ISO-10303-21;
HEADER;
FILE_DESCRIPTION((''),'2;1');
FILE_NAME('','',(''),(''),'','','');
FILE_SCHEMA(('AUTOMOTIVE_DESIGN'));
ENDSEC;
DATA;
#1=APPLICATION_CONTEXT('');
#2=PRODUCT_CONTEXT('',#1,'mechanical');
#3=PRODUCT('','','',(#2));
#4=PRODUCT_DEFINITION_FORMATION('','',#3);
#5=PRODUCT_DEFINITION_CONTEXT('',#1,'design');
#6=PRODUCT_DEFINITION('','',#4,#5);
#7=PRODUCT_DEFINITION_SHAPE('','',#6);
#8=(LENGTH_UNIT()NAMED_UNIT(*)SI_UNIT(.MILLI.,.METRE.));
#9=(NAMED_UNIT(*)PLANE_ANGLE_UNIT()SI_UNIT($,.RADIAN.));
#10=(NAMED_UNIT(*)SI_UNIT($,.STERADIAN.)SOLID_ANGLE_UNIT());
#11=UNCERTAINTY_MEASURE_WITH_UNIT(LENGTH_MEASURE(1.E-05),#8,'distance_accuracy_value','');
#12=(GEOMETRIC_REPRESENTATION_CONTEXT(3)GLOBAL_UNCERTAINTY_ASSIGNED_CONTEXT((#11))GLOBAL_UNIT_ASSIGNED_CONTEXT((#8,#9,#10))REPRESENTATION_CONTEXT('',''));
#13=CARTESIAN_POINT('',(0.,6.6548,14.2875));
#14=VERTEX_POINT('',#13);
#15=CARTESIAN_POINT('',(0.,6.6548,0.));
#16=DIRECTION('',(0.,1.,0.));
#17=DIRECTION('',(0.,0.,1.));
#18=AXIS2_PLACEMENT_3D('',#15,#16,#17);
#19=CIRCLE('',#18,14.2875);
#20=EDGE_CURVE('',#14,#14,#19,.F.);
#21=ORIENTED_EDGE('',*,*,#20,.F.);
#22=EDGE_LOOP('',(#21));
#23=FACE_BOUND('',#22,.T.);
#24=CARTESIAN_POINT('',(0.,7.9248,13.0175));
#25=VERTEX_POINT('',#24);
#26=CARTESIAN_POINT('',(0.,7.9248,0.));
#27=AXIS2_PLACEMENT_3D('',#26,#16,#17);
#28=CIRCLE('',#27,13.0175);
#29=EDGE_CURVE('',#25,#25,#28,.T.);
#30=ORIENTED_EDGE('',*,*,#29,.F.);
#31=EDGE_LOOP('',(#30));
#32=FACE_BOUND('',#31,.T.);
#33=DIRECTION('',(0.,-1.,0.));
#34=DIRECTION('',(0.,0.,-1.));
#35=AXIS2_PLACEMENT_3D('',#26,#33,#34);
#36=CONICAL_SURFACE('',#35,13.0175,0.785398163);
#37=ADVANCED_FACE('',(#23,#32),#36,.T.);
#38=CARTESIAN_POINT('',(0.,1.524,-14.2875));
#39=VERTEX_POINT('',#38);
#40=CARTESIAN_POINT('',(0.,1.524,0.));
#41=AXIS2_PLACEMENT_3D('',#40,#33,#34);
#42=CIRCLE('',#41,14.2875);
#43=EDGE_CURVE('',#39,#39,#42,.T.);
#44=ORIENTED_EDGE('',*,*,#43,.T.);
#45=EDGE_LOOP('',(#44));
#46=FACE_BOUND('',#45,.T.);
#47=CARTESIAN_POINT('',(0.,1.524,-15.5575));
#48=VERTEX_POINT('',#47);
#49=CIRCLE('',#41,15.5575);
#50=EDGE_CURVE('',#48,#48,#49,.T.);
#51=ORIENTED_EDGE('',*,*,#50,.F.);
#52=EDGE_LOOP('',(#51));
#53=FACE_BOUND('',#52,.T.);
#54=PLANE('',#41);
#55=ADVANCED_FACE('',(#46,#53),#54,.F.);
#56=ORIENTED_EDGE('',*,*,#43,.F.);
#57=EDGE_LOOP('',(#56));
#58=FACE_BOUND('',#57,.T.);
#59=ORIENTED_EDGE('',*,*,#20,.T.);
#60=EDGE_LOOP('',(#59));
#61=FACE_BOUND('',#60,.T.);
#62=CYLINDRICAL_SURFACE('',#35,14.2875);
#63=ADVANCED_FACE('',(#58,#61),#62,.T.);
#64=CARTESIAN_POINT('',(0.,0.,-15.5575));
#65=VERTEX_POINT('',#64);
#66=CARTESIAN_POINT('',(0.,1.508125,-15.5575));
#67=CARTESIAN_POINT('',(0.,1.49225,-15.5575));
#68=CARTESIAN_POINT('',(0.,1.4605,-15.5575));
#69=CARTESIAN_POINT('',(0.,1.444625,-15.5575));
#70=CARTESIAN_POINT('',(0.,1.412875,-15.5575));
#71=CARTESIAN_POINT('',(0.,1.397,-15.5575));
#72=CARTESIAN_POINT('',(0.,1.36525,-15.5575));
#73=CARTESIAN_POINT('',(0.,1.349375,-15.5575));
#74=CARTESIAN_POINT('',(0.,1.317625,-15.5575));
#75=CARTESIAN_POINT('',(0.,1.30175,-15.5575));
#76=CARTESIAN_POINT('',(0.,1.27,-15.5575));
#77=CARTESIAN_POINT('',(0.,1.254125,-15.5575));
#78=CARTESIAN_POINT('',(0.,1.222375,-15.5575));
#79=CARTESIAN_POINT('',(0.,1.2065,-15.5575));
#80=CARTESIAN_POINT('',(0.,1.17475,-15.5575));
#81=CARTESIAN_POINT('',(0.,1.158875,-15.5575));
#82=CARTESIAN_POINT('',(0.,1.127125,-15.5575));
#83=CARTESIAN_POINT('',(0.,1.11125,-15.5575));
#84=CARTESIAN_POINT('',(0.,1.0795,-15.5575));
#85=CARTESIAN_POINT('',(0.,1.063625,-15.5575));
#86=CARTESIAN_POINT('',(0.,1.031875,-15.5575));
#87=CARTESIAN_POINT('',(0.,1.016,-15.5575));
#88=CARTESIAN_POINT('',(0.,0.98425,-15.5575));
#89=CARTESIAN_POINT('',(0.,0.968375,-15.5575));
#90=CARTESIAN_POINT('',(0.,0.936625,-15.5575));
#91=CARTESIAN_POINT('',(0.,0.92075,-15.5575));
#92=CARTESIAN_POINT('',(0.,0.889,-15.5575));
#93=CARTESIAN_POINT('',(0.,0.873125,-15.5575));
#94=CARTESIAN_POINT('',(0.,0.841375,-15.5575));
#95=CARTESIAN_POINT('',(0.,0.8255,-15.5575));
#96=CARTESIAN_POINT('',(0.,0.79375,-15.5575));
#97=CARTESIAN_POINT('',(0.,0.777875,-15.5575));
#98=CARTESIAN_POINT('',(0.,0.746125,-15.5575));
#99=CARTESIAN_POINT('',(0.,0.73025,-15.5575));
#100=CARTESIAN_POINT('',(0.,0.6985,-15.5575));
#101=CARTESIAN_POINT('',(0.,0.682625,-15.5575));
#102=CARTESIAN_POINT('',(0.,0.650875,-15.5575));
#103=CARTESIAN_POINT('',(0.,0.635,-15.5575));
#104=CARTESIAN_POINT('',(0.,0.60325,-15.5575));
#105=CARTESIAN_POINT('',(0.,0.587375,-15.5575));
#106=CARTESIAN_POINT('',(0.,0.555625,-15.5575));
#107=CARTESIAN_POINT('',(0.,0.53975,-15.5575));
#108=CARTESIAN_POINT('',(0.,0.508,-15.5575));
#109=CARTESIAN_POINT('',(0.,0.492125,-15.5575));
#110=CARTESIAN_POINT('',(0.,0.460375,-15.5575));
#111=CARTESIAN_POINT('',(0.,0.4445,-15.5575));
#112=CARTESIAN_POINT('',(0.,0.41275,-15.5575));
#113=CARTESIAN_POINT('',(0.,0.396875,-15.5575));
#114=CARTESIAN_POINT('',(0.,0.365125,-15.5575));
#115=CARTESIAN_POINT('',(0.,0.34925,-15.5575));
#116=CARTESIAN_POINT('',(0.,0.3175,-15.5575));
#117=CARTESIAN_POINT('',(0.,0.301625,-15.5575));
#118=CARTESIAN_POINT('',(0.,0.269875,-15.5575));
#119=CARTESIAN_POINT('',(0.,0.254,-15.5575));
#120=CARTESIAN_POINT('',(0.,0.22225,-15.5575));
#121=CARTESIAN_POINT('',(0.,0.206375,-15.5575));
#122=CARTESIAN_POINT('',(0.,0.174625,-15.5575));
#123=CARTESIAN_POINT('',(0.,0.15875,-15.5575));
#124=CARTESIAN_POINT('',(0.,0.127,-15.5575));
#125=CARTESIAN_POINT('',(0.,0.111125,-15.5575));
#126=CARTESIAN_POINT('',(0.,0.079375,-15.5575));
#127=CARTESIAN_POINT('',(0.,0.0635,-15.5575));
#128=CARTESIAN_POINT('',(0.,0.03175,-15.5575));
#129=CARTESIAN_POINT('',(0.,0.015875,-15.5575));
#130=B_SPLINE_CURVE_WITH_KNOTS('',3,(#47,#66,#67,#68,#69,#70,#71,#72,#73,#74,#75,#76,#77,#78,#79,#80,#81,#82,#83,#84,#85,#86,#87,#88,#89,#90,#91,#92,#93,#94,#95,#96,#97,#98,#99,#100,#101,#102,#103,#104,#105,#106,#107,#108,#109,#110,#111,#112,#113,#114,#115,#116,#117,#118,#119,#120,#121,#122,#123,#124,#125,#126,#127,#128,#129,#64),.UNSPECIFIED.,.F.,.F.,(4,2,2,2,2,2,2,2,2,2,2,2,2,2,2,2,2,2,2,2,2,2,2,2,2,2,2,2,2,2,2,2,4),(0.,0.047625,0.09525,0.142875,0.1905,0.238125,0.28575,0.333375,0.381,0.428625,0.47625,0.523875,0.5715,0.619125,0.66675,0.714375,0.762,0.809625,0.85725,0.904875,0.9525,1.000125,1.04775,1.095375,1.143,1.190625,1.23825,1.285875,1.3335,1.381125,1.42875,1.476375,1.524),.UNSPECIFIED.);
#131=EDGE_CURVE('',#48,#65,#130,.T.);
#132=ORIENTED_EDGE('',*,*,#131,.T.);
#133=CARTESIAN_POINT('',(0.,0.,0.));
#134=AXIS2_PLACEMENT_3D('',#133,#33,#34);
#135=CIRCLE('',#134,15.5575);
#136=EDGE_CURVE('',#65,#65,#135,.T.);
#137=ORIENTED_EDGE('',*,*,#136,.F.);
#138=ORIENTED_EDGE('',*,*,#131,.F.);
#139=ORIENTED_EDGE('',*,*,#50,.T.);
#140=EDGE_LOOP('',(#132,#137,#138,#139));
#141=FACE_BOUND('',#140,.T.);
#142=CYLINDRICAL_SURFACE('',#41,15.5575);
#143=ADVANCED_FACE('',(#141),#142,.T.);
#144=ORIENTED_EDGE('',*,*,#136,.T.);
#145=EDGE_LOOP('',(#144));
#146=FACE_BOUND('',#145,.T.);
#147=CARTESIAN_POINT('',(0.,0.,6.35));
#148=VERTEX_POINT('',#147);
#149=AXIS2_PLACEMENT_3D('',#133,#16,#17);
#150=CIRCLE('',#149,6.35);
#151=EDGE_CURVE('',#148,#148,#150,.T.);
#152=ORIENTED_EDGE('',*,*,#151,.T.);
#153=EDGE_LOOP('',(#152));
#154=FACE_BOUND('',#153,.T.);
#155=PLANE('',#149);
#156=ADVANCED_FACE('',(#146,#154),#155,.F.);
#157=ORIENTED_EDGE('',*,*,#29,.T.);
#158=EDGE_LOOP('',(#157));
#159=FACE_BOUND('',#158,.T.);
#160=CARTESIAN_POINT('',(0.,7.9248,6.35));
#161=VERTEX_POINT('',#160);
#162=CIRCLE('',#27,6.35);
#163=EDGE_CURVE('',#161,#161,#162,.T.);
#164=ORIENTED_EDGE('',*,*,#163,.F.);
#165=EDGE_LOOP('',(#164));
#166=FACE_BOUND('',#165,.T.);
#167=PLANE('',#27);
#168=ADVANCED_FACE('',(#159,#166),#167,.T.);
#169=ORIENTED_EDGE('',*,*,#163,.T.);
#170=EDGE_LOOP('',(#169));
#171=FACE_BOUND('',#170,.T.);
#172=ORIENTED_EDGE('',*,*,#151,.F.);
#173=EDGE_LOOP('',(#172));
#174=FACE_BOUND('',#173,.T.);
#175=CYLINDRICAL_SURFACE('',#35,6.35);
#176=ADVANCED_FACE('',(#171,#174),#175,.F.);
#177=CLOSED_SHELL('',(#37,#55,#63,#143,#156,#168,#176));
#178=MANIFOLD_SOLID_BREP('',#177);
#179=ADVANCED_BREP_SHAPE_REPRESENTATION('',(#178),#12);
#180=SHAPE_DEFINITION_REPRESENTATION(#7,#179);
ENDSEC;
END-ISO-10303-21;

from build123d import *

# Parameters (mm, degrees)
SKETCH1_R           = 14.2875
SKETCH1_R_2         = 6.35
BOSS_EXTRUDE1_DEPTH = 7.9248
CHAMFER1_SIZE       = 1.27
SKETCH2_R           = 15.5575
SKETCH2_R_2         = 6.35
BOSS_EXTRUDE2_DEPTH = 1.524


with BuildPart() as part:
    # Sketch1 → Boss-Extrude1 (new body)
    with BuildSketch(Plane(origin=(0, 0, 0), x_dir=(1, 0, 0), z_dir=(0, 1, 0))):
        with Locations(Location((0, 0, 0), (0, 0, 270))):
            Circle(SKETCH1_R)
        with Locations(Location((0, 0, 0), (0, 0, 270))):
            Circle(SKETCH1_R_2, mode=Mode.SUBTRACT)
    extrude(amount=BOSS_EXTRUDE1_DEPTH)

    # Chamfer1
    chamfer1_edges = [part.edges().sort_by_distance(p)[0] for p in [
        (0, 7.9248, -14.2875),
    ]]
    chamfer(chamfer1_edges, length=CHAMFER1_SIZE)

    # Sketch2 → Boss-Extrude2 (add)
    with BuildSketch(Plane.XZ):
        with Locations(Location((0, 0, 0), (0, 0, 270))):
            Circle(SKETCH2_R)
        with Locations(Location((0, 0, 0), (0, 0, 90))):
            Circle(SKETCH2_R_2, mode=Mode.SUBTRACT)
    extrude(amount=-BOSS_EXTRUDE2_DEPTH)


solid = part.part
